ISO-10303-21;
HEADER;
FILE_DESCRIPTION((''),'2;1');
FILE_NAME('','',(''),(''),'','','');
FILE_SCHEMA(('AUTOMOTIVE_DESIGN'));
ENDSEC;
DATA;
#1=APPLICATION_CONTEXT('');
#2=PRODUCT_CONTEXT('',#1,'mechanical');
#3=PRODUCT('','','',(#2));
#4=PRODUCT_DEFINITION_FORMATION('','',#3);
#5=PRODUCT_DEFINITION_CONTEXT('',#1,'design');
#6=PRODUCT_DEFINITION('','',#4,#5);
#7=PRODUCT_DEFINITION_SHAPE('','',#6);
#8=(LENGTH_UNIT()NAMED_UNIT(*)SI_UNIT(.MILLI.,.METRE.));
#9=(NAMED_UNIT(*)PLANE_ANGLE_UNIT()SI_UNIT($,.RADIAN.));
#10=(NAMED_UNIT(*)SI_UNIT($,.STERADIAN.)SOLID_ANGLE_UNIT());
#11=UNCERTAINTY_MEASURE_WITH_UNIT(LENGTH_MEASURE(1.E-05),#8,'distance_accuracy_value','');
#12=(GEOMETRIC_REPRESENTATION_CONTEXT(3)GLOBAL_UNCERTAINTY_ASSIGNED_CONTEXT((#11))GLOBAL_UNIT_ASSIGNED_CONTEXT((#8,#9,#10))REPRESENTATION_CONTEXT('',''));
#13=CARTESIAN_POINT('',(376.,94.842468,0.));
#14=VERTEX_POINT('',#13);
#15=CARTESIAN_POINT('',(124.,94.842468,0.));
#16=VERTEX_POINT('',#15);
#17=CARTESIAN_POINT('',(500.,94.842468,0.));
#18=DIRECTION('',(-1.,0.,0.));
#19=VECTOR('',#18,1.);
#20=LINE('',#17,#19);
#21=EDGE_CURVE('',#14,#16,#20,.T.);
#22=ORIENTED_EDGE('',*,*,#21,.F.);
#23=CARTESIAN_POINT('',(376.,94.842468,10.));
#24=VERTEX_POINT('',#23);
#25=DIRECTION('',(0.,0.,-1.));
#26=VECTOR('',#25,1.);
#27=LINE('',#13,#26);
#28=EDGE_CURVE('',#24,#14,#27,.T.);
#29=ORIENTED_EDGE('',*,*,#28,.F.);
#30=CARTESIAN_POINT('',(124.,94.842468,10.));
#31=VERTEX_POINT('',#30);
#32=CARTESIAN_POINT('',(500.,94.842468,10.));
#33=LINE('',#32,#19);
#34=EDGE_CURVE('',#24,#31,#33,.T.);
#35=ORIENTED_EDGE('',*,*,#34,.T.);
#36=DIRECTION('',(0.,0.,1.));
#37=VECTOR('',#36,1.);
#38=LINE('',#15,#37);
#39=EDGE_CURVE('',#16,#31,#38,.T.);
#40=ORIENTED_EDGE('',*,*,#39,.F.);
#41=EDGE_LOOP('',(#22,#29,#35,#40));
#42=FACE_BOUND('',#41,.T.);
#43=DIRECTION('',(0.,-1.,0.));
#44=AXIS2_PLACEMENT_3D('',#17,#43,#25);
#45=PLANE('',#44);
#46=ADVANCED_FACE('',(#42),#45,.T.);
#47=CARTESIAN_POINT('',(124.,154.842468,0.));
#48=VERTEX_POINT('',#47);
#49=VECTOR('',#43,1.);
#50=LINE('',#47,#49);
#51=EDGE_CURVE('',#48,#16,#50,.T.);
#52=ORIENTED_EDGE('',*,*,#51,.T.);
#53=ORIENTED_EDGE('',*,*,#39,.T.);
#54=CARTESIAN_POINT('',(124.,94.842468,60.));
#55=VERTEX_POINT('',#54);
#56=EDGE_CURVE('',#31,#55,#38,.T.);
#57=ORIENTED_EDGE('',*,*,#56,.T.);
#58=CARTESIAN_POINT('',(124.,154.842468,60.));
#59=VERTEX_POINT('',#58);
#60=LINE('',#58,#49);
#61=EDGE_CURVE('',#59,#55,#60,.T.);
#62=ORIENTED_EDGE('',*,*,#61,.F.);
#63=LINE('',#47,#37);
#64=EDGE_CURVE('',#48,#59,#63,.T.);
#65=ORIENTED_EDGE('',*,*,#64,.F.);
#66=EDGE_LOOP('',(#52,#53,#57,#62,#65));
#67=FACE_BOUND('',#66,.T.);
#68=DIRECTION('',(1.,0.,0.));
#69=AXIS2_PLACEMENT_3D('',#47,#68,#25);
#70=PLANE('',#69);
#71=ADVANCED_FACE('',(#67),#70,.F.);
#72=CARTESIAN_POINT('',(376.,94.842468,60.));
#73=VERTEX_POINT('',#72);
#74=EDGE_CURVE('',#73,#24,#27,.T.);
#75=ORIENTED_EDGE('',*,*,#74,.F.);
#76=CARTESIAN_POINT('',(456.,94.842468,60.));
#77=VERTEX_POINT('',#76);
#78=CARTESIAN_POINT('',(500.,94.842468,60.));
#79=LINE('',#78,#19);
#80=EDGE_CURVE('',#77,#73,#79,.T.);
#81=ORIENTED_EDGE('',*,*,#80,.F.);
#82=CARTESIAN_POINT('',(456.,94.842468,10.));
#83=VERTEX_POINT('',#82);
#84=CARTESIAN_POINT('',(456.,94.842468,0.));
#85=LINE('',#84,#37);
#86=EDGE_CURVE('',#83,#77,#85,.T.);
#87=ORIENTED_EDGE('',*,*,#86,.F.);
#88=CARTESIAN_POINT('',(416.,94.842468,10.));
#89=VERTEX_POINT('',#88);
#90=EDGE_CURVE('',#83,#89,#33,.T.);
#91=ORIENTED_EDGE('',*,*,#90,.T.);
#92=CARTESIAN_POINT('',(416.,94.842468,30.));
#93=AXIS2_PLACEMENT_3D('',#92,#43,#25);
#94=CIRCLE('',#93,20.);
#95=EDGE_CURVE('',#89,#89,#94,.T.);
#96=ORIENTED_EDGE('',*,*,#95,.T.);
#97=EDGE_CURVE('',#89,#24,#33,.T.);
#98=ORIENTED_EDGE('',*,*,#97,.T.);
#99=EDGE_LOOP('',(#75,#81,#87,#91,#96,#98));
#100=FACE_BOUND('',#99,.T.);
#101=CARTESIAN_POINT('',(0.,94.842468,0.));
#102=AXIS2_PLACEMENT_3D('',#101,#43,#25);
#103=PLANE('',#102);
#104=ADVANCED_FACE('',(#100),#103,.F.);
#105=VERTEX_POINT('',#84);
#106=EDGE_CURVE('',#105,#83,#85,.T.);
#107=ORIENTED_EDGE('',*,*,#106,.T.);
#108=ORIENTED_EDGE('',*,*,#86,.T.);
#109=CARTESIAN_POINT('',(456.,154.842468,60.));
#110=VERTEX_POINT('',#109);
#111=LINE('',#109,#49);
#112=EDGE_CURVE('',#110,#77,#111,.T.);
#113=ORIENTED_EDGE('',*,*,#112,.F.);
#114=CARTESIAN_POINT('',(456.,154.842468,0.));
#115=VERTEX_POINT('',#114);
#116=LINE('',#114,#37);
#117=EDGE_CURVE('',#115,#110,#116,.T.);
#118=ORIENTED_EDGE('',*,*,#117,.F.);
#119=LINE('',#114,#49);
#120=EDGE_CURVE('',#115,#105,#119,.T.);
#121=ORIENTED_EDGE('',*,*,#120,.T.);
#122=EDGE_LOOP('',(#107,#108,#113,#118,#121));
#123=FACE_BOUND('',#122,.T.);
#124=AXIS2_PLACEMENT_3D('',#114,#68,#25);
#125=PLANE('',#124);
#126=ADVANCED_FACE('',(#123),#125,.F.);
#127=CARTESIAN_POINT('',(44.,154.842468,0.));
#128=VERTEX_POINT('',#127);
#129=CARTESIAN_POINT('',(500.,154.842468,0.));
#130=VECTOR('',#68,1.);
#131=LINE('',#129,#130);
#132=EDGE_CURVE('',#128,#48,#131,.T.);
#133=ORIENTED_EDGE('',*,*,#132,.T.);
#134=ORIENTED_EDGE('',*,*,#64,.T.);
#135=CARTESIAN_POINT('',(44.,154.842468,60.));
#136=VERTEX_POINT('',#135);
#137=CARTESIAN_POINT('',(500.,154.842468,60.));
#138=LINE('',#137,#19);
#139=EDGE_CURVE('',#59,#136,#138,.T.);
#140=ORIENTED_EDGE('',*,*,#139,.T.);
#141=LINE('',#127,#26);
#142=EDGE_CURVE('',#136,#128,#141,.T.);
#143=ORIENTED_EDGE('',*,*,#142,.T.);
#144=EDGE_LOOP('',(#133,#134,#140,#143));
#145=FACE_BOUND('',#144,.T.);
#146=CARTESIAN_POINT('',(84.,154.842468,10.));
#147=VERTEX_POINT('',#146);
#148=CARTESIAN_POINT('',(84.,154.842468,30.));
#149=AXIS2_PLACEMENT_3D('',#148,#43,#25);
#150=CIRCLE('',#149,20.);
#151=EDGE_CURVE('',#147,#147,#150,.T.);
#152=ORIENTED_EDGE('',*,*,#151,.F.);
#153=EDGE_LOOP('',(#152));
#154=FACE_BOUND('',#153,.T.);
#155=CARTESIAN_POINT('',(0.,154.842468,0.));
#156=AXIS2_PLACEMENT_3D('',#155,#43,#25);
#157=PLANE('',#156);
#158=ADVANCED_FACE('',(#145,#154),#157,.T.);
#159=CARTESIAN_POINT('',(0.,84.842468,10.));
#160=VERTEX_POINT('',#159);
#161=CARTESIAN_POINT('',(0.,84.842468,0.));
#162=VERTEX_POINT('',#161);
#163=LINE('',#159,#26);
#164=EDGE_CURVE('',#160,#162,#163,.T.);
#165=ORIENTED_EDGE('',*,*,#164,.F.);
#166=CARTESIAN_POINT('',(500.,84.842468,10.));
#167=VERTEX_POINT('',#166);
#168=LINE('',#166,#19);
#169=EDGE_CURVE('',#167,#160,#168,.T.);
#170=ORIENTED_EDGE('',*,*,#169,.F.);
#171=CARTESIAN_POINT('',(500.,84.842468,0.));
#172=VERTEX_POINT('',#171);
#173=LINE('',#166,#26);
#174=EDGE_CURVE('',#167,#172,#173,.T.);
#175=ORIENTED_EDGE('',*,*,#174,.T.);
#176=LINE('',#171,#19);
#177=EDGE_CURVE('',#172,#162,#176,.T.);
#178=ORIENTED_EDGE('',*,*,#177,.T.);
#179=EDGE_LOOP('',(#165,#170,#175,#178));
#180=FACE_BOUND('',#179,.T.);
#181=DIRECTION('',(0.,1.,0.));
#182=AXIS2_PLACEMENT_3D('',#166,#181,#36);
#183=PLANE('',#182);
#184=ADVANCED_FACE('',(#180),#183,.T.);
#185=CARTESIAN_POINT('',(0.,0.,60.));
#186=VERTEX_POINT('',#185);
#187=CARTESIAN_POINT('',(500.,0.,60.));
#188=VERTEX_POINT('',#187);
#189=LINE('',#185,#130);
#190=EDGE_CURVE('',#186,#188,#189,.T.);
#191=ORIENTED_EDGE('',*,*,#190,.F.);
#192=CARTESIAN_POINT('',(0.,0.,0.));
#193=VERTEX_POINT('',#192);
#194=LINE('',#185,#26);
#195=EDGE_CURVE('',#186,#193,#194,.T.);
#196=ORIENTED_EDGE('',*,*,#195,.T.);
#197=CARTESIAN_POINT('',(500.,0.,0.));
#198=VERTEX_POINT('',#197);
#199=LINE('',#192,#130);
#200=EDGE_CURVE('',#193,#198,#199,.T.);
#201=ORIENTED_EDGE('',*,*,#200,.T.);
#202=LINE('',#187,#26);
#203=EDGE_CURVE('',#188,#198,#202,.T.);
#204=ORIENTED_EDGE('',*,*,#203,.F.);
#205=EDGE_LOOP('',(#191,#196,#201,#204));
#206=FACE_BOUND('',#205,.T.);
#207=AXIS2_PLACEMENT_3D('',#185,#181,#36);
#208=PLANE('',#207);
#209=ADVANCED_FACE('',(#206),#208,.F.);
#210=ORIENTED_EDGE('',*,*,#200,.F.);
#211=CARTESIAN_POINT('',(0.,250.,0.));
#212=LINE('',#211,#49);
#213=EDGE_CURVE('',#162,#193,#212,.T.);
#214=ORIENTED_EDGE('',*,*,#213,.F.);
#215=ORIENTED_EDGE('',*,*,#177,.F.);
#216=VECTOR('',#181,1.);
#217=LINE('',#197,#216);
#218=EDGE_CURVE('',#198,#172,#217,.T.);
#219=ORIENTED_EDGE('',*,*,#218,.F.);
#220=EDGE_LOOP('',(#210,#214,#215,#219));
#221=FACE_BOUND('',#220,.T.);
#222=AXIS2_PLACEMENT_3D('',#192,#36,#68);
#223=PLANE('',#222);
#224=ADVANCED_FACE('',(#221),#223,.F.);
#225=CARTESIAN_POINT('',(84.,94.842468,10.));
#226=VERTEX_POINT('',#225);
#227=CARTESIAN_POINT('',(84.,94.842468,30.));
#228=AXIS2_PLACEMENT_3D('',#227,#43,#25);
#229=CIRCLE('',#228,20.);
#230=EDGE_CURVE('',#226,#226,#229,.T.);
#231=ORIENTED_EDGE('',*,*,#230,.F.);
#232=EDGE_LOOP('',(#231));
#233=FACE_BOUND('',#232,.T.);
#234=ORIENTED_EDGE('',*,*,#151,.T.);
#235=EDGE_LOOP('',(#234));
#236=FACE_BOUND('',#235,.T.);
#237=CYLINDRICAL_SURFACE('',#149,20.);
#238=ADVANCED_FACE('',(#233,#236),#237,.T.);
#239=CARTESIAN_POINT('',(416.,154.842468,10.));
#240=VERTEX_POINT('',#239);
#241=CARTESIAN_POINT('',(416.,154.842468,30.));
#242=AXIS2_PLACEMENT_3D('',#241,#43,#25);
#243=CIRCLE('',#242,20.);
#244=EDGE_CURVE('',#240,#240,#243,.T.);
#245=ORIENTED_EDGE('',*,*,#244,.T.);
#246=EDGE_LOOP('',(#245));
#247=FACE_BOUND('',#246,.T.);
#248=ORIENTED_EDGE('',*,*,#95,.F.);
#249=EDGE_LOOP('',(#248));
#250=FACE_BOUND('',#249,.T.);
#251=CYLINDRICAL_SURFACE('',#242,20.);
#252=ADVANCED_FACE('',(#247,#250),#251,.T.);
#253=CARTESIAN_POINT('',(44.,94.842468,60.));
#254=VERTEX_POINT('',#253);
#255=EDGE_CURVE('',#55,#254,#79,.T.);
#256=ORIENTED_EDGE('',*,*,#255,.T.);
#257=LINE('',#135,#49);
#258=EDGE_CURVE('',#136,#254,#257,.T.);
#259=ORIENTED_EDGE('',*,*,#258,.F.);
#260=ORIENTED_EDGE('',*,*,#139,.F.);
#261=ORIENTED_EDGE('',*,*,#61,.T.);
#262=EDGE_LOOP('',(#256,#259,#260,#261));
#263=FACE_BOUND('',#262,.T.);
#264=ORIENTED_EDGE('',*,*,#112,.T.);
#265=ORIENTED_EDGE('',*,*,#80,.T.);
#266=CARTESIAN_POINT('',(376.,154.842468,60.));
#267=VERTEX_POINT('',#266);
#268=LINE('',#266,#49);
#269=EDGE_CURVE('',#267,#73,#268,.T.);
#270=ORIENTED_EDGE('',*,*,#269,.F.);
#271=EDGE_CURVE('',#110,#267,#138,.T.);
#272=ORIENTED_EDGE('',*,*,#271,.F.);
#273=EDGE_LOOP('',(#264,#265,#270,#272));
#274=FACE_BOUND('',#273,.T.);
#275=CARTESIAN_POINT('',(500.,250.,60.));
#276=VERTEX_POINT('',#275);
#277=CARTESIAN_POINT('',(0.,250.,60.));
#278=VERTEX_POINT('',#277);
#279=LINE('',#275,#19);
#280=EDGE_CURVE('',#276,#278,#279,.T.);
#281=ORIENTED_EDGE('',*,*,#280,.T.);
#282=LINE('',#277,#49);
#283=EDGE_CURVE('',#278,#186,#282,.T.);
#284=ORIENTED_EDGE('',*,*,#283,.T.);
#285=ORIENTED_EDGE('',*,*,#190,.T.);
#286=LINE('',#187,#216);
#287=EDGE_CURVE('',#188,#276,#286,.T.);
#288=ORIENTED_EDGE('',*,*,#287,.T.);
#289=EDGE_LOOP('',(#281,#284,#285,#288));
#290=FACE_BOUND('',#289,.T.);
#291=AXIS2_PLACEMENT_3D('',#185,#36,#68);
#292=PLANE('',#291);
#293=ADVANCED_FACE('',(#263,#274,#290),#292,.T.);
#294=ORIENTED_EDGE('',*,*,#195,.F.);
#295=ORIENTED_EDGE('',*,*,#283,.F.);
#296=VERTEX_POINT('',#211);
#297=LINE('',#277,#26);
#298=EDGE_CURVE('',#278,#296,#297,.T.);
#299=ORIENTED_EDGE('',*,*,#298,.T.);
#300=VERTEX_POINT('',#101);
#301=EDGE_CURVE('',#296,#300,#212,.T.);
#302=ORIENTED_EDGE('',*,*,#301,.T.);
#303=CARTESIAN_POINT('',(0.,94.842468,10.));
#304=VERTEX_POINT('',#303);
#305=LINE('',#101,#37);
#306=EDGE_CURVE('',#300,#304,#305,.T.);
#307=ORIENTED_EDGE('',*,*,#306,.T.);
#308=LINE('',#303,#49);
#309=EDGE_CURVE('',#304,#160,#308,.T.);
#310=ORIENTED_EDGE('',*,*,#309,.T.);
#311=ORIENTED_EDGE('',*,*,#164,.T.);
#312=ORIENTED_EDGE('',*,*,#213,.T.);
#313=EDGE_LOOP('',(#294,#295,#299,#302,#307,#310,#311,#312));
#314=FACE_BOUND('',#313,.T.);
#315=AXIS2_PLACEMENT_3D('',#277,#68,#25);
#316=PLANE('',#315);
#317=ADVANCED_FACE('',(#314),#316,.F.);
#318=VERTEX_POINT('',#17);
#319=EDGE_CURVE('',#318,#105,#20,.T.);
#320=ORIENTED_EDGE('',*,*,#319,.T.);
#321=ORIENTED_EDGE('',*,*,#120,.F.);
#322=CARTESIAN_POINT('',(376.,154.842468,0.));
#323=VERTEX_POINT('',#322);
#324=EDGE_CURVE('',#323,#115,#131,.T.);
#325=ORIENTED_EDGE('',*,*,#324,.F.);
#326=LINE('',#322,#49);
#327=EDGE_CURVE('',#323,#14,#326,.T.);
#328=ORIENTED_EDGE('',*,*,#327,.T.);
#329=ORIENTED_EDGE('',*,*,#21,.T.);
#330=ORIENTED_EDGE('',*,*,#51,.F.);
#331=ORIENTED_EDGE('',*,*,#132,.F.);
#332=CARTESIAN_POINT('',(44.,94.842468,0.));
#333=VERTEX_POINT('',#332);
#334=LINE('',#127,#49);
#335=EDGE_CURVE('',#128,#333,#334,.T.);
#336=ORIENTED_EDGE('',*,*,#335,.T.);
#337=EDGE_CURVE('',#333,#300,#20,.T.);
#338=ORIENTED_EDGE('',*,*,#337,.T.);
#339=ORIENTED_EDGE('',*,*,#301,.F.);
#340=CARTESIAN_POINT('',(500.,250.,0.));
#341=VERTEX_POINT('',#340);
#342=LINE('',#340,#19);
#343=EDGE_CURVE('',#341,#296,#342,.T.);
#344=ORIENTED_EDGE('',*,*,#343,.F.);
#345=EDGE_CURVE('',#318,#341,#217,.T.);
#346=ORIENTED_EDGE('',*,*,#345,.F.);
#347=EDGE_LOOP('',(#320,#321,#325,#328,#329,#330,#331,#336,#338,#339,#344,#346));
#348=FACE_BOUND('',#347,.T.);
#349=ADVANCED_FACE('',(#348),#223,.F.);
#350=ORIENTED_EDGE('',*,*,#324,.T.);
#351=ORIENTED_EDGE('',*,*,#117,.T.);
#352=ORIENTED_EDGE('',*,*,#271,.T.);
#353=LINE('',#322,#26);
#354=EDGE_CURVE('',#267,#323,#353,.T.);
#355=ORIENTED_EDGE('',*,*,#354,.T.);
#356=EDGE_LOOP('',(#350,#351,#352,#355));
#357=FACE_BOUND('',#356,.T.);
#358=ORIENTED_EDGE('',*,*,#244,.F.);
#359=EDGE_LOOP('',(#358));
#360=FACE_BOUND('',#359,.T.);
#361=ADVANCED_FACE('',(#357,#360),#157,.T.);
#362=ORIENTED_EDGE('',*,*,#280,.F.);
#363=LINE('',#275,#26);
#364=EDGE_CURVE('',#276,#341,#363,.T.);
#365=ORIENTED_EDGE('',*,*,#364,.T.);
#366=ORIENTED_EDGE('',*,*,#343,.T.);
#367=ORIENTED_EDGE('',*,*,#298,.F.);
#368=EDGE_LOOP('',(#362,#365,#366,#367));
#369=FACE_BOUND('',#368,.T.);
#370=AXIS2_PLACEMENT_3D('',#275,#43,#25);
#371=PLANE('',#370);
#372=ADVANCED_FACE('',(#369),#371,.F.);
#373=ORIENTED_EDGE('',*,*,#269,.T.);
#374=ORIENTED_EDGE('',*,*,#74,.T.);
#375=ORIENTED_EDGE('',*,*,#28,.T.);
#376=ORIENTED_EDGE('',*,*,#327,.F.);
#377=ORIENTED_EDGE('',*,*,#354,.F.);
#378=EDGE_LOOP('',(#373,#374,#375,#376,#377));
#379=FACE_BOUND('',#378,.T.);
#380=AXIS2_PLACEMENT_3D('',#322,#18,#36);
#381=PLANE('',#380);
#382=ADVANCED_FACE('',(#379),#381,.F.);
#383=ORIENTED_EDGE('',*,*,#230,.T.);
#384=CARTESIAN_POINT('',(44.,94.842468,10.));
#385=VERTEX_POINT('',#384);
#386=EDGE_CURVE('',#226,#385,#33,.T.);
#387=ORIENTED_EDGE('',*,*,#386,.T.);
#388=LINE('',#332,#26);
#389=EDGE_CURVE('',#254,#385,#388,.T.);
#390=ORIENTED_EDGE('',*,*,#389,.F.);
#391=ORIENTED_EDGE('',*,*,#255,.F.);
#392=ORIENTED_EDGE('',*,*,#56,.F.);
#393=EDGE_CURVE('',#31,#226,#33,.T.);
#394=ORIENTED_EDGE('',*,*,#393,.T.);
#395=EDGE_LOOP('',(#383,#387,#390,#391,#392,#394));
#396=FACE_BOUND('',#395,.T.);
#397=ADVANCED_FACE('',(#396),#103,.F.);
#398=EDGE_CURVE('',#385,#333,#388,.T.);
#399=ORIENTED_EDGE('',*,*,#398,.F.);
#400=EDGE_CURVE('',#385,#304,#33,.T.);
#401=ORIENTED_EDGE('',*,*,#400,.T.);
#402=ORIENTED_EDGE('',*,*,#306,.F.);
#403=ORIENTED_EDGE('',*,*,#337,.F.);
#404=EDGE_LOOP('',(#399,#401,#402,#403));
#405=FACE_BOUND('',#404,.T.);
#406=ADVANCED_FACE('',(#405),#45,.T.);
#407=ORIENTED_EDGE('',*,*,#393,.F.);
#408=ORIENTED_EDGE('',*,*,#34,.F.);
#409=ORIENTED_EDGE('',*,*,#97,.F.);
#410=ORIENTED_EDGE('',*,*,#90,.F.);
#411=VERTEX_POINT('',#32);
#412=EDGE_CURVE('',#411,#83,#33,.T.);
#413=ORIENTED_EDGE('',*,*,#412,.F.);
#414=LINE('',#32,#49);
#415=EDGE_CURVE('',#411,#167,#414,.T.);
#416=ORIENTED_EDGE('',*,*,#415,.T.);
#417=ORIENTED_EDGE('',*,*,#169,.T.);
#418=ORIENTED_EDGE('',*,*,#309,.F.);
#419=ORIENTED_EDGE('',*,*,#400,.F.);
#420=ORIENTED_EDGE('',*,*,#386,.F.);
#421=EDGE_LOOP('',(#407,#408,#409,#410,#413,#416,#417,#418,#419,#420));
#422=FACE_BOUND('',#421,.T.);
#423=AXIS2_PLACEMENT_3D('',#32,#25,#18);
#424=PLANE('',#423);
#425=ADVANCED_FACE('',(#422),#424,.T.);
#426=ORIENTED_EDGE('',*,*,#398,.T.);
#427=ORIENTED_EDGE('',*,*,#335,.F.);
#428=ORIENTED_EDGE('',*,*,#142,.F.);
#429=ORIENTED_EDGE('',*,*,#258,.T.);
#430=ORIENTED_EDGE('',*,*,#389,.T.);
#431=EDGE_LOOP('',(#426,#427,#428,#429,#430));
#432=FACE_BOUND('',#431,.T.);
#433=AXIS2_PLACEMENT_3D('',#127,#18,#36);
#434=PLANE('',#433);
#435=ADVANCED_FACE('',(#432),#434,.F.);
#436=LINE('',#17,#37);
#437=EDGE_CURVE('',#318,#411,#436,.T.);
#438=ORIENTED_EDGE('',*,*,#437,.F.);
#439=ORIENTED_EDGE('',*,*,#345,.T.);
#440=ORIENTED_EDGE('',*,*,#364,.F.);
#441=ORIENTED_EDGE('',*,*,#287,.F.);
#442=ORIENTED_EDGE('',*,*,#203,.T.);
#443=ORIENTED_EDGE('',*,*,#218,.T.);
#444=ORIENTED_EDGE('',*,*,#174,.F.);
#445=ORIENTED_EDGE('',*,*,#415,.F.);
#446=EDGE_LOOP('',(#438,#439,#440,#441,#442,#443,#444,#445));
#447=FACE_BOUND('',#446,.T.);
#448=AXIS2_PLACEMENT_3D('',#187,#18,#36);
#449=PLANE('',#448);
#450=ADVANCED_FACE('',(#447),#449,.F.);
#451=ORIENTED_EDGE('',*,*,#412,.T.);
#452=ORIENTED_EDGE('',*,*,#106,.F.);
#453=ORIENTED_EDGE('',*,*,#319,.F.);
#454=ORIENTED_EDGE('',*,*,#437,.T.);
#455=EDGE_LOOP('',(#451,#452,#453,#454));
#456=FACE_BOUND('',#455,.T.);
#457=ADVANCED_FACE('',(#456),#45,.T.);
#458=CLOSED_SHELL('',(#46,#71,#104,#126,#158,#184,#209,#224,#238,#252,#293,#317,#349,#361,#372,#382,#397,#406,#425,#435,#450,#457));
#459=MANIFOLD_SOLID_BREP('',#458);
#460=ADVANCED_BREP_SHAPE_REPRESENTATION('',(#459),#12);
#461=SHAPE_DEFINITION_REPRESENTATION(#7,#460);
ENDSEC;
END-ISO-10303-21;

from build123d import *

# Parameters (mm, degrees)
SKETCH_1_W          = 500
SKETCH_1_H          = 250
EXTRUDE_1_DEPTH     = 60
SKETCH_5_W          = 10
SKETCH_5_H          = 10
CUT_EXTRUDE_3_DEPTH = 500
CUT_EXTRUDE_START   = -94.842468
SKETCH_2_R          = 20
CUT_EXTRUDE_4_DEPTH = 60


with BuildPart() as part:
    # 草图1 → 凸台-拉伸1 (new body)
    with BuildSketch(Plane.XY):
        with Locations((250, 125)):
            Rectangle(SKETCH_1_W, SKETCH_1_H)
    extrude(amount=EXTRUDE_1_DEPTH)

    # 草图5 → 切除-拉伸3 (cut)
    with BuildSketch(Plane(origin=(0, 0, 0), x_dir=(0, 0, -1), z_dir=(1, 0, 0))):
        with Locations((-5, 89.842468298)):
            Rectangle(SKETCH_5_W, SKETCH_5_H)
    extrude(amount=CUT_EXTRUDE_3_DEPTH, mode=Mode.SUBTRACT)

    # 草图2 → 切除-拉伸4 (cut)
    # profile 1 of 2: a face of its own
    with BuildSketch(Plane.XZ.offset(CUT_EXTRUDE_START)):
        Polygon((100, 60), (124, 60), (124, 0), (44, 0), (44, 60), align=None)
        with Locations(Location((84, 30, 0), (0, 0, 270))):
            Circle(SKETCH_2_R, mode=Mode.SUBTRACT)
    # profile 2 of 2: a face of its own
    with BuildSketch(Plane.XZ.offset(CUT_EXTRUDE_START)):
        Polygon((456, 60), (400, 60), (376, 60), (376, 0), (456, 0), align=None)
        with Locations(Location((416, 30, 0), (0, 0, 270))):
            Circle(SKETCH_2_R, mode=Mode.SUBTRACT)
    extrude(amount=-CUT_EXTRUDE_4_DEPTH, mode=Mode.SUBTRACT)


solid = part.part
